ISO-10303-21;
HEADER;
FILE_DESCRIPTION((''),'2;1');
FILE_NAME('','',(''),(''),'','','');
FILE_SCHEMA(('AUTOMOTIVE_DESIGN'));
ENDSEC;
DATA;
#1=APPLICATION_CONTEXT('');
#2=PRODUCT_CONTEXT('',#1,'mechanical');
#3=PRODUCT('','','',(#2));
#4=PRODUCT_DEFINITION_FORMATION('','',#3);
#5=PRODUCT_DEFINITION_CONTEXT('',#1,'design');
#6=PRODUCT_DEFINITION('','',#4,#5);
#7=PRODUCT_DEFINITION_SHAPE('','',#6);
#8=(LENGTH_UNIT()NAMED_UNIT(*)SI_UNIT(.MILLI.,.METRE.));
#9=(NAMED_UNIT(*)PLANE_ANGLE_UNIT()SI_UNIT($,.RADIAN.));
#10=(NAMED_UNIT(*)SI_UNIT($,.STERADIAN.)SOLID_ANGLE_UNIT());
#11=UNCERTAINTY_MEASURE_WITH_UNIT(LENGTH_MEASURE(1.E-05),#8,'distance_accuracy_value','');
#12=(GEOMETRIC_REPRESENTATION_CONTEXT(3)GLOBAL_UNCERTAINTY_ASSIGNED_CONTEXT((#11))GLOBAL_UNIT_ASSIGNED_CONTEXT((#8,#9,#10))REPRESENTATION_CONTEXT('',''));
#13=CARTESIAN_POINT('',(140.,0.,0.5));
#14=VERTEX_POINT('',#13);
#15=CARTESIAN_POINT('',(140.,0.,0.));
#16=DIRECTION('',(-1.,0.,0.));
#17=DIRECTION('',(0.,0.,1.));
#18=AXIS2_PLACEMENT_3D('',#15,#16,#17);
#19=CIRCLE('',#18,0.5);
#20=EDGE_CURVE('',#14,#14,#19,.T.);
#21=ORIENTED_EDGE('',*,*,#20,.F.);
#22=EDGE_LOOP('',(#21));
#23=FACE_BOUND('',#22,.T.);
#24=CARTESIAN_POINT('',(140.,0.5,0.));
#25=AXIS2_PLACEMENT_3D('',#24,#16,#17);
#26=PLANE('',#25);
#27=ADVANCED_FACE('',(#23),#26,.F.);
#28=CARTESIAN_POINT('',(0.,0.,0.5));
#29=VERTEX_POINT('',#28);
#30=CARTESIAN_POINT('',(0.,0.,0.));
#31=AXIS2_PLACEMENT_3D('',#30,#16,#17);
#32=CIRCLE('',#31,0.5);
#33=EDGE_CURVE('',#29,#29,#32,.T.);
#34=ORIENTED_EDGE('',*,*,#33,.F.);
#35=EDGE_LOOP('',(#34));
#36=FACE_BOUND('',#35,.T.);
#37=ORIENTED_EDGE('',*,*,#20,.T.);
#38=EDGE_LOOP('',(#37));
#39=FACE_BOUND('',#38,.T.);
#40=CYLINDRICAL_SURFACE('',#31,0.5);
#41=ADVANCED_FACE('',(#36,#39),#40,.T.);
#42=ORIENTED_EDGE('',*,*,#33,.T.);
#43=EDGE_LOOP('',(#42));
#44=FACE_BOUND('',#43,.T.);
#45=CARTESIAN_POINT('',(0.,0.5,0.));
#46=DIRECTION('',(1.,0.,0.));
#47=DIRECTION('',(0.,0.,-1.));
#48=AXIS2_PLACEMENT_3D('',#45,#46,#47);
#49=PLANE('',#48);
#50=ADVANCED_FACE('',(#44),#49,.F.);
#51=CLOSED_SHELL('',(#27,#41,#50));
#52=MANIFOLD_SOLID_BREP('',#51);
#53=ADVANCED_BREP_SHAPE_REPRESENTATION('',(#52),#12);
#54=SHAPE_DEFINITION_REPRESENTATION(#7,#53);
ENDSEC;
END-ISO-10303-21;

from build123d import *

# Parameters (mm, degrees)
SKETCH1_W = 140
SKETCH1_H = 0.5


with BuildPart() as part:
    # Sketch1 → Revolve1 (revolve)
    with BuildSketch(Plane.XY, mode=Mode.PRIVATE) as revolve1_sk:
        with Locations((70, 0.25)):
            Rectangle(SKETCH1_W, SKETCH1_H)
    revolve(revolve1_sk.sketch.rotate(Axis((0, 0, 0), (1, 0, 0)), 90), axis=Axis((0, 0, 0), (1, 0, 0)))


solid = part.part
